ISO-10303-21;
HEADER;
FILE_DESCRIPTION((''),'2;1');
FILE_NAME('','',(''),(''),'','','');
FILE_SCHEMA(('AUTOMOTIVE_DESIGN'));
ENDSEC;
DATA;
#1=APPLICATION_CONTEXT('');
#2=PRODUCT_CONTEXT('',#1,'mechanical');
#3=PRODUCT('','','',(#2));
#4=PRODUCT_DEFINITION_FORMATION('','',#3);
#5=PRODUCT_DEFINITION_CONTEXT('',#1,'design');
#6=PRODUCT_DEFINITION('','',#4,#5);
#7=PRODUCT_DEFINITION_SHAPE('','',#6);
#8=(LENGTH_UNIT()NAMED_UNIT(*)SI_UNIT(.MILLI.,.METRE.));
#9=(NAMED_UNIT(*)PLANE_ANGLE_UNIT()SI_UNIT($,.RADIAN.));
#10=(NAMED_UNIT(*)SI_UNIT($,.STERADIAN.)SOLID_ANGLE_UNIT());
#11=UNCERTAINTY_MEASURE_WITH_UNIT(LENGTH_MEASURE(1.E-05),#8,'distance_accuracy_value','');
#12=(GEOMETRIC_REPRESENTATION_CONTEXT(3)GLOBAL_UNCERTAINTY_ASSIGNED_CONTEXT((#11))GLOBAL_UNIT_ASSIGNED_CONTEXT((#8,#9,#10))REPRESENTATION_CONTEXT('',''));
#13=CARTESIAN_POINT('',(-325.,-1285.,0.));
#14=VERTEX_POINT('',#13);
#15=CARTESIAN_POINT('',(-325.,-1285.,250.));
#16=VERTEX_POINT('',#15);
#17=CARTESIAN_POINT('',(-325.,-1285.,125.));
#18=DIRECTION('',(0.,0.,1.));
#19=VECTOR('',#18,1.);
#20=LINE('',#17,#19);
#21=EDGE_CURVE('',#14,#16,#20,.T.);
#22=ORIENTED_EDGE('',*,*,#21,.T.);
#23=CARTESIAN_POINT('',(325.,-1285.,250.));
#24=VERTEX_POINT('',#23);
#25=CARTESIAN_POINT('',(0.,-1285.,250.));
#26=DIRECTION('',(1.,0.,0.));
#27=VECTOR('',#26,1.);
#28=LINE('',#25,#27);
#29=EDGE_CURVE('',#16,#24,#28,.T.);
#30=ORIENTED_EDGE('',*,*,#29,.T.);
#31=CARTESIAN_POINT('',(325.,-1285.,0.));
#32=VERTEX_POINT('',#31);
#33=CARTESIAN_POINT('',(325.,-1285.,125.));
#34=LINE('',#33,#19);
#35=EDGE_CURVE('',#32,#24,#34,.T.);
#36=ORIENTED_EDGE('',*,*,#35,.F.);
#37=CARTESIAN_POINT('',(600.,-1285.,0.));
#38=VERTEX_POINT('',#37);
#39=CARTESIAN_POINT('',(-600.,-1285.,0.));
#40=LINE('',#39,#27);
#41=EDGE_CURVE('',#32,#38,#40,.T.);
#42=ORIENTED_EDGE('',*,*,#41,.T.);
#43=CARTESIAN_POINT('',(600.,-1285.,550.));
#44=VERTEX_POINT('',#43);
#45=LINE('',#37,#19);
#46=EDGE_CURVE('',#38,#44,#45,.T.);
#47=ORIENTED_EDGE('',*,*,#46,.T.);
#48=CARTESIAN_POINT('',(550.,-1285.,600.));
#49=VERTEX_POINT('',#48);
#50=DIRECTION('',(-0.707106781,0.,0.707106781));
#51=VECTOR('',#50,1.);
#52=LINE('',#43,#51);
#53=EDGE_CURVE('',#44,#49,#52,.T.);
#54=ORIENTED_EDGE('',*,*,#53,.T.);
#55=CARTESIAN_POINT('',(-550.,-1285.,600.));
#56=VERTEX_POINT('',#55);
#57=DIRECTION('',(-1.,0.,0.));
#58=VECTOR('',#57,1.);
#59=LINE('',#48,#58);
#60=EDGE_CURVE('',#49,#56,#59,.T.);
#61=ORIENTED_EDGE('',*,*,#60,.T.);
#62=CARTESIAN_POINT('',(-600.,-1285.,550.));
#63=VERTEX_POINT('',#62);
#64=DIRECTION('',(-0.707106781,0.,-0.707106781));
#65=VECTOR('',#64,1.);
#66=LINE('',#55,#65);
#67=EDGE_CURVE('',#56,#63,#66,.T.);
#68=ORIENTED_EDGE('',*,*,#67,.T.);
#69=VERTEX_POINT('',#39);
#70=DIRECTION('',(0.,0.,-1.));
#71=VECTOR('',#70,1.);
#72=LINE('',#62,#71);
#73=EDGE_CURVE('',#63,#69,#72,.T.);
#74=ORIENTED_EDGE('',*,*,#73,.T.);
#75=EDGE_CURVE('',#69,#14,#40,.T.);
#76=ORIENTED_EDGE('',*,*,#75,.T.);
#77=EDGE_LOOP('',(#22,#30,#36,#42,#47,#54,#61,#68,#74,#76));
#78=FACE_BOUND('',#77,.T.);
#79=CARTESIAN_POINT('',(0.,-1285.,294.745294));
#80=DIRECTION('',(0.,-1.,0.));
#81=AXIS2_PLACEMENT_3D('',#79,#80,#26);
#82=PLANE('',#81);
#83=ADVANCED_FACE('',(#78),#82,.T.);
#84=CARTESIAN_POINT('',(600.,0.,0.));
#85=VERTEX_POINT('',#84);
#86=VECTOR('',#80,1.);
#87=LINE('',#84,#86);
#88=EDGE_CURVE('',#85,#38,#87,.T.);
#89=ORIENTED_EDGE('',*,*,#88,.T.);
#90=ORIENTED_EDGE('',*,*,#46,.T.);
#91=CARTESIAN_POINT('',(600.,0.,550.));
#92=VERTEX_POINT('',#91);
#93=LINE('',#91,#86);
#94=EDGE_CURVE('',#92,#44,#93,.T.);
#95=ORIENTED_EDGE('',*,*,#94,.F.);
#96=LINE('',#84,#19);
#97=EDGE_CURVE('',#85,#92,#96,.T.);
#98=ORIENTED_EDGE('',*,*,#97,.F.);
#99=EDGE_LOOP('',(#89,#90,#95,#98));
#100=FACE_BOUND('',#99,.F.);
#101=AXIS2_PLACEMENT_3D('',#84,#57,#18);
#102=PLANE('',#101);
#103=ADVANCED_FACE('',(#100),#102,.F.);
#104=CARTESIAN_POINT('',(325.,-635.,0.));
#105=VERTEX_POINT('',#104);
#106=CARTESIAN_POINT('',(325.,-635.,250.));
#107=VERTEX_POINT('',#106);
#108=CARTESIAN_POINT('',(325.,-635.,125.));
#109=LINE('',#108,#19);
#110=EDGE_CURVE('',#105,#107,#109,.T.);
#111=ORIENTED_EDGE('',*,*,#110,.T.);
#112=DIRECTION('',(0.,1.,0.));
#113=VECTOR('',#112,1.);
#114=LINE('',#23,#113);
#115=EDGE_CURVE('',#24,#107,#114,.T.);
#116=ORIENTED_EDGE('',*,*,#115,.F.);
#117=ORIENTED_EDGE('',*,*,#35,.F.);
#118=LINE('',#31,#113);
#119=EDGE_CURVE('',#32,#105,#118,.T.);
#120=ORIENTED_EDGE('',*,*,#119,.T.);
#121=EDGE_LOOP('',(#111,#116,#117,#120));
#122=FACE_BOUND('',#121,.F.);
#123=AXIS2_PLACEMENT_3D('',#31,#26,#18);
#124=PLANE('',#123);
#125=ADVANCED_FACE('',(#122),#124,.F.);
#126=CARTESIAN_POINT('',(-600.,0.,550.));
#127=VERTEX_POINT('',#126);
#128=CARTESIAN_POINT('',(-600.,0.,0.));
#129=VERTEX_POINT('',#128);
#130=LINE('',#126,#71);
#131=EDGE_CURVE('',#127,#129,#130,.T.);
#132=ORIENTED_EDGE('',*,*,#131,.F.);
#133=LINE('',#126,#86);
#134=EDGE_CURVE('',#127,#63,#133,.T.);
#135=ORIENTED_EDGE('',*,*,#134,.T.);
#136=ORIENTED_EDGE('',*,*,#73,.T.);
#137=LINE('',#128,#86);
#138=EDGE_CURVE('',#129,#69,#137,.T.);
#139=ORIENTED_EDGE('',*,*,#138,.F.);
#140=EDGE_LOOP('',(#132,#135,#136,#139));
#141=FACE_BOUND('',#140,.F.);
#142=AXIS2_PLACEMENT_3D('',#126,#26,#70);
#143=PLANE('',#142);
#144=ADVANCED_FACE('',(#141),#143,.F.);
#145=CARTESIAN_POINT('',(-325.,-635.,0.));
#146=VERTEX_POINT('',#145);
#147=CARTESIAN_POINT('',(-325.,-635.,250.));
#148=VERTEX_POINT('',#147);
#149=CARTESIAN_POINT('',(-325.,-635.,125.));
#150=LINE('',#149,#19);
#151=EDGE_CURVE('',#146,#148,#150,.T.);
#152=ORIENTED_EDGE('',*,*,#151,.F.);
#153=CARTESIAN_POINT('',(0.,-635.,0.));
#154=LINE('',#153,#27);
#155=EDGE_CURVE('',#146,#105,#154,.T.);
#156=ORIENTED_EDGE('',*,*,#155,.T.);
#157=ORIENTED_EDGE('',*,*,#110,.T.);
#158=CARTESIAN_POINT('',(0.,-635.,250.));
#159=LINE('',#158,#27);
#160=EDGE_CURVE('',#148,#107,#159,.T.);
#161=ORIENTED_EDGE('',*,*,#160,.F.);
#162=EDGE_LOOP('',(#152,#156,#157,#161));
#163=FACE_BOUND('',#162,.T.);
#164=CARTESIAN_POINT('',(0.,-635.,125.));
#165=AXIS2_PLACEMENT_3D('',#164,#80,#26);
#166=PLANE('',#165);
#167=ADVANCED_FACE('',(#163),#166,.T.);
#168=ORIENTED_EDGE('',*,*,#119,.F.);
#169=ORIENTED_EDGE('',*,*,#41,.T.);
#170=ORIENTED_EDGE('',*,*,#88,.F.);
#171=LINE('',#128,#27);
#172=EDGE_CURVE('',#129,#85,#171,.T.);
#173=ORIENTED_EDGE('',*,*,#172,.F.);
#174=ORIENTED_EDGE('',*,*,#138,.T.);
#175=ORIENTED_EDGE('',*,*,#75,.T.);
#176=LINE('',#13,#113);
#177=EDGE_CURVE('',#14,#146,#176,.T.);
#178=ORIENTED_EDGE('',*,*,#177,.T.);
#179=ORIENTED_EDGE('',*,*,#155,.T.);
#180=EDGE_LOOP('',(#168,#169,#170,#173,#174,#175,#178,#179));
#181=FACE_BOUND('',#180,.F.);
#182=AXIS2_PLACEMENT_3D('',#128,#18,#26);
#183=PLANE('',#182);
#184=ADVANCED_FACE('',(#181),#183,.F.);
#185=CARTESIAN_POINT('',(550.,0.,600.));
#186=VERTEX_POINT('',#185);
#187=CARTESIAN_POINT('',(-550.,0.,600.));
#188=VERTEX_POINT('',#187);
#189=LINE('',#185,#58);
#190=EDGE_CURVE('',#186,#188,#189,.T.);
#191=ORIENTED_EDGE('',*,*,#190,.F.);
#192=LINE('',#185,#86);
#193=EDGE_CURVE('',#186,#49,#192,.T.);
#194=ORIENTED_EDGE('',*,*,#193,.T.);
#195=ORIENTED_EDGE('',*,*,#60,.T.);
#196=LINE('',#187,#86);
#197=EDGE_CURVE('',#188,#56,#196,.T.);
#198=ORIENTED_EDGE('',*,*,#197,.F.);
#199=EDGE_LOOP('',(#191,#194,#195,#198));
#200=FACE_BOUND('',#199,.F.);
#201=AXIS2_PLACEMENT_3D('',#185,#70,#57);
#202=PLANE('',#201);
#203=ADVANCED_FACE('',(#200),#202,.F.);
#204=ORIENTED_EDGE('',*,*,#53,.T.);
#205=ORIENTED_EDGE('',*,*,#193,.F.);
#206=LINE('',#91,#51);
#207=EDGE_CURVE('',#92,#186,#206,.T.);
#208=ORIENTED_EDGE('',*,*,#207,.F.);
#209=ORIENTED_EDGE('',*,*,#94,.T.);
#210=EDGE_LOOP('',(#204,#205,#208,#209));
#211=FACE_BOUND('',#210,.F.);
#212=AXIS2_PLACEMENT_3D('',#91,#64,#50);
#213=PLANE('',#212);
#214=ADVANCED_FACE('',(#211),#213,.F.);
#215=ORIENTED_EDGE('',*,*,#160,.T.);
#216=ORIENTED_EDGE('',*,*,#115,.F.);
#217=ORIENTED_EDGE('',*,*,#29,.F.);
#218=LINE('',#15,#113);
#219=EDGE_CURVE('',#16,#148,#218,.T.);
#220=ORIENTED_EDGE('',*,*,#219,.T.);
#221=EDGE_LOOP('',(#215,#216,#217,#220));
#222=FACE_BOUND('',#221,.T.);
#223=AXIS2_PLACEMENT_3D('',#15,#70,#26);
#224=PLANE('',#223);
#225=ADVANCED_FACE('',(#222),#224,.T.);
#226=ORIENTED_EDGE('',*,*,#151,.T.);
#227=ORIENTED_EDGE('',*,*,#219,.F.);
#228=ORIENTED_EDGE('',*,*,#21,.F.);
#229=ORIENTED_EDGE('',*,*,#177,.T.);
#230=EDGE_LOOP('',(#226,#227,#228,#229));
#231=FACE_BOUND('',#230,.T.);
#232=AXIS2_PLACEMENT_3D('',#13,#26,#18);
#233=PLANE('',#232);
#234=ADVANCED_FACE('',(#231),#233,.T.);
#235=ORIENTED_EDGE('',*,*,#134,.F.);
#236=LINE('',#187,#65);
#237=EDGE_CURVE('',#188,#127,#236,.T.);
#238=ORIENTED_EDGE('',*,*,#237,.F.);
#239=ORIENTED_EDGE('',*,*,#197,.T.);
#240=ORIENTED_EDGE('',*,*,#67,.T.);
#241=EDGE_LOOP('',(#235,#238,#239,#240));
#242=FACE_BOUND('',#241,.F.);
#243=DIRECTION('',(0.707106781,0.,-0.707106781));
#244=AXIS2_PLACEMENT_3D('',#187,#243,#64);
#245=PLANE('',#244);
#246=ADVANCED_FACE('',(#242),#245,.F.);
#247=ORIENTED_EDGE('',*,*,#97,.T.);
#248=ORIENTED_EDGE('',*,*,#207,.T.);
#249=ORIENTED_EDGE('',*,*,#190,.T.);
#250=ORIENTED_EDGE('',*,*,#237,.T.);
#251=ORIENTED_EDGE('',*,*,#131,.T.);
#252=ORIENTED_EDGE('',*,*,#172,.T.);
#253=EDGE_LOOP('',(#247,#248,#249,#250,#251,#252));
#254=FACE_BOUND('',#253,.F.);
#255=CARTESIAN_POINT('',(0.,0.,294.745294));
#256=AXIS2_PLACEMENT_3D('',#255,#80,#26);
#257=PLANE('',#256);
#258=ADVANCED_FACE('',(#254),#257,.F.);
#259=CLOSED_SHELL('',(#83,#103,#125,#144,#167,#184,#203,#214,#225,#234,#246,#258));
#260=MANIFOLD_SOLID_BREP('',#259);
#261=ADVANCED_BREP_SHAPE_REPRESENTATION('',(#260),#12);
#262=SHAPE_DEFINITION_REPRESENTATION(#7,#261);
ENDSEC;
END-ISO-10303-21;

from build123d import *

# Parameters (mm, degrees)
F1_DEPTH = 1285
F2_W     = 650
F2_H     = 250
F3_DEPTH = 650


with BuildPart() as f1:
    # F0 (on Front) → F1 (new body)
    with BuildSketch(Plane.XZ):
        Polygon((-600, 0), (0, 0), (600, 0), (600, 550), (550, 600), (-550, 600), (-600, 550), align=None)
    extrude(amount=F1_DEPTH)

    # F2 (on face) → F3 (cut)
    with BuildSketch(Plane.XZ.offset(1285)):
        with Locations((0, 125)):
            Rectangle(F2_W, F2_H)
    extrude(amount=-F3_DEPTH, mode=Mode.SUBTRACT)


solid = f1.part
